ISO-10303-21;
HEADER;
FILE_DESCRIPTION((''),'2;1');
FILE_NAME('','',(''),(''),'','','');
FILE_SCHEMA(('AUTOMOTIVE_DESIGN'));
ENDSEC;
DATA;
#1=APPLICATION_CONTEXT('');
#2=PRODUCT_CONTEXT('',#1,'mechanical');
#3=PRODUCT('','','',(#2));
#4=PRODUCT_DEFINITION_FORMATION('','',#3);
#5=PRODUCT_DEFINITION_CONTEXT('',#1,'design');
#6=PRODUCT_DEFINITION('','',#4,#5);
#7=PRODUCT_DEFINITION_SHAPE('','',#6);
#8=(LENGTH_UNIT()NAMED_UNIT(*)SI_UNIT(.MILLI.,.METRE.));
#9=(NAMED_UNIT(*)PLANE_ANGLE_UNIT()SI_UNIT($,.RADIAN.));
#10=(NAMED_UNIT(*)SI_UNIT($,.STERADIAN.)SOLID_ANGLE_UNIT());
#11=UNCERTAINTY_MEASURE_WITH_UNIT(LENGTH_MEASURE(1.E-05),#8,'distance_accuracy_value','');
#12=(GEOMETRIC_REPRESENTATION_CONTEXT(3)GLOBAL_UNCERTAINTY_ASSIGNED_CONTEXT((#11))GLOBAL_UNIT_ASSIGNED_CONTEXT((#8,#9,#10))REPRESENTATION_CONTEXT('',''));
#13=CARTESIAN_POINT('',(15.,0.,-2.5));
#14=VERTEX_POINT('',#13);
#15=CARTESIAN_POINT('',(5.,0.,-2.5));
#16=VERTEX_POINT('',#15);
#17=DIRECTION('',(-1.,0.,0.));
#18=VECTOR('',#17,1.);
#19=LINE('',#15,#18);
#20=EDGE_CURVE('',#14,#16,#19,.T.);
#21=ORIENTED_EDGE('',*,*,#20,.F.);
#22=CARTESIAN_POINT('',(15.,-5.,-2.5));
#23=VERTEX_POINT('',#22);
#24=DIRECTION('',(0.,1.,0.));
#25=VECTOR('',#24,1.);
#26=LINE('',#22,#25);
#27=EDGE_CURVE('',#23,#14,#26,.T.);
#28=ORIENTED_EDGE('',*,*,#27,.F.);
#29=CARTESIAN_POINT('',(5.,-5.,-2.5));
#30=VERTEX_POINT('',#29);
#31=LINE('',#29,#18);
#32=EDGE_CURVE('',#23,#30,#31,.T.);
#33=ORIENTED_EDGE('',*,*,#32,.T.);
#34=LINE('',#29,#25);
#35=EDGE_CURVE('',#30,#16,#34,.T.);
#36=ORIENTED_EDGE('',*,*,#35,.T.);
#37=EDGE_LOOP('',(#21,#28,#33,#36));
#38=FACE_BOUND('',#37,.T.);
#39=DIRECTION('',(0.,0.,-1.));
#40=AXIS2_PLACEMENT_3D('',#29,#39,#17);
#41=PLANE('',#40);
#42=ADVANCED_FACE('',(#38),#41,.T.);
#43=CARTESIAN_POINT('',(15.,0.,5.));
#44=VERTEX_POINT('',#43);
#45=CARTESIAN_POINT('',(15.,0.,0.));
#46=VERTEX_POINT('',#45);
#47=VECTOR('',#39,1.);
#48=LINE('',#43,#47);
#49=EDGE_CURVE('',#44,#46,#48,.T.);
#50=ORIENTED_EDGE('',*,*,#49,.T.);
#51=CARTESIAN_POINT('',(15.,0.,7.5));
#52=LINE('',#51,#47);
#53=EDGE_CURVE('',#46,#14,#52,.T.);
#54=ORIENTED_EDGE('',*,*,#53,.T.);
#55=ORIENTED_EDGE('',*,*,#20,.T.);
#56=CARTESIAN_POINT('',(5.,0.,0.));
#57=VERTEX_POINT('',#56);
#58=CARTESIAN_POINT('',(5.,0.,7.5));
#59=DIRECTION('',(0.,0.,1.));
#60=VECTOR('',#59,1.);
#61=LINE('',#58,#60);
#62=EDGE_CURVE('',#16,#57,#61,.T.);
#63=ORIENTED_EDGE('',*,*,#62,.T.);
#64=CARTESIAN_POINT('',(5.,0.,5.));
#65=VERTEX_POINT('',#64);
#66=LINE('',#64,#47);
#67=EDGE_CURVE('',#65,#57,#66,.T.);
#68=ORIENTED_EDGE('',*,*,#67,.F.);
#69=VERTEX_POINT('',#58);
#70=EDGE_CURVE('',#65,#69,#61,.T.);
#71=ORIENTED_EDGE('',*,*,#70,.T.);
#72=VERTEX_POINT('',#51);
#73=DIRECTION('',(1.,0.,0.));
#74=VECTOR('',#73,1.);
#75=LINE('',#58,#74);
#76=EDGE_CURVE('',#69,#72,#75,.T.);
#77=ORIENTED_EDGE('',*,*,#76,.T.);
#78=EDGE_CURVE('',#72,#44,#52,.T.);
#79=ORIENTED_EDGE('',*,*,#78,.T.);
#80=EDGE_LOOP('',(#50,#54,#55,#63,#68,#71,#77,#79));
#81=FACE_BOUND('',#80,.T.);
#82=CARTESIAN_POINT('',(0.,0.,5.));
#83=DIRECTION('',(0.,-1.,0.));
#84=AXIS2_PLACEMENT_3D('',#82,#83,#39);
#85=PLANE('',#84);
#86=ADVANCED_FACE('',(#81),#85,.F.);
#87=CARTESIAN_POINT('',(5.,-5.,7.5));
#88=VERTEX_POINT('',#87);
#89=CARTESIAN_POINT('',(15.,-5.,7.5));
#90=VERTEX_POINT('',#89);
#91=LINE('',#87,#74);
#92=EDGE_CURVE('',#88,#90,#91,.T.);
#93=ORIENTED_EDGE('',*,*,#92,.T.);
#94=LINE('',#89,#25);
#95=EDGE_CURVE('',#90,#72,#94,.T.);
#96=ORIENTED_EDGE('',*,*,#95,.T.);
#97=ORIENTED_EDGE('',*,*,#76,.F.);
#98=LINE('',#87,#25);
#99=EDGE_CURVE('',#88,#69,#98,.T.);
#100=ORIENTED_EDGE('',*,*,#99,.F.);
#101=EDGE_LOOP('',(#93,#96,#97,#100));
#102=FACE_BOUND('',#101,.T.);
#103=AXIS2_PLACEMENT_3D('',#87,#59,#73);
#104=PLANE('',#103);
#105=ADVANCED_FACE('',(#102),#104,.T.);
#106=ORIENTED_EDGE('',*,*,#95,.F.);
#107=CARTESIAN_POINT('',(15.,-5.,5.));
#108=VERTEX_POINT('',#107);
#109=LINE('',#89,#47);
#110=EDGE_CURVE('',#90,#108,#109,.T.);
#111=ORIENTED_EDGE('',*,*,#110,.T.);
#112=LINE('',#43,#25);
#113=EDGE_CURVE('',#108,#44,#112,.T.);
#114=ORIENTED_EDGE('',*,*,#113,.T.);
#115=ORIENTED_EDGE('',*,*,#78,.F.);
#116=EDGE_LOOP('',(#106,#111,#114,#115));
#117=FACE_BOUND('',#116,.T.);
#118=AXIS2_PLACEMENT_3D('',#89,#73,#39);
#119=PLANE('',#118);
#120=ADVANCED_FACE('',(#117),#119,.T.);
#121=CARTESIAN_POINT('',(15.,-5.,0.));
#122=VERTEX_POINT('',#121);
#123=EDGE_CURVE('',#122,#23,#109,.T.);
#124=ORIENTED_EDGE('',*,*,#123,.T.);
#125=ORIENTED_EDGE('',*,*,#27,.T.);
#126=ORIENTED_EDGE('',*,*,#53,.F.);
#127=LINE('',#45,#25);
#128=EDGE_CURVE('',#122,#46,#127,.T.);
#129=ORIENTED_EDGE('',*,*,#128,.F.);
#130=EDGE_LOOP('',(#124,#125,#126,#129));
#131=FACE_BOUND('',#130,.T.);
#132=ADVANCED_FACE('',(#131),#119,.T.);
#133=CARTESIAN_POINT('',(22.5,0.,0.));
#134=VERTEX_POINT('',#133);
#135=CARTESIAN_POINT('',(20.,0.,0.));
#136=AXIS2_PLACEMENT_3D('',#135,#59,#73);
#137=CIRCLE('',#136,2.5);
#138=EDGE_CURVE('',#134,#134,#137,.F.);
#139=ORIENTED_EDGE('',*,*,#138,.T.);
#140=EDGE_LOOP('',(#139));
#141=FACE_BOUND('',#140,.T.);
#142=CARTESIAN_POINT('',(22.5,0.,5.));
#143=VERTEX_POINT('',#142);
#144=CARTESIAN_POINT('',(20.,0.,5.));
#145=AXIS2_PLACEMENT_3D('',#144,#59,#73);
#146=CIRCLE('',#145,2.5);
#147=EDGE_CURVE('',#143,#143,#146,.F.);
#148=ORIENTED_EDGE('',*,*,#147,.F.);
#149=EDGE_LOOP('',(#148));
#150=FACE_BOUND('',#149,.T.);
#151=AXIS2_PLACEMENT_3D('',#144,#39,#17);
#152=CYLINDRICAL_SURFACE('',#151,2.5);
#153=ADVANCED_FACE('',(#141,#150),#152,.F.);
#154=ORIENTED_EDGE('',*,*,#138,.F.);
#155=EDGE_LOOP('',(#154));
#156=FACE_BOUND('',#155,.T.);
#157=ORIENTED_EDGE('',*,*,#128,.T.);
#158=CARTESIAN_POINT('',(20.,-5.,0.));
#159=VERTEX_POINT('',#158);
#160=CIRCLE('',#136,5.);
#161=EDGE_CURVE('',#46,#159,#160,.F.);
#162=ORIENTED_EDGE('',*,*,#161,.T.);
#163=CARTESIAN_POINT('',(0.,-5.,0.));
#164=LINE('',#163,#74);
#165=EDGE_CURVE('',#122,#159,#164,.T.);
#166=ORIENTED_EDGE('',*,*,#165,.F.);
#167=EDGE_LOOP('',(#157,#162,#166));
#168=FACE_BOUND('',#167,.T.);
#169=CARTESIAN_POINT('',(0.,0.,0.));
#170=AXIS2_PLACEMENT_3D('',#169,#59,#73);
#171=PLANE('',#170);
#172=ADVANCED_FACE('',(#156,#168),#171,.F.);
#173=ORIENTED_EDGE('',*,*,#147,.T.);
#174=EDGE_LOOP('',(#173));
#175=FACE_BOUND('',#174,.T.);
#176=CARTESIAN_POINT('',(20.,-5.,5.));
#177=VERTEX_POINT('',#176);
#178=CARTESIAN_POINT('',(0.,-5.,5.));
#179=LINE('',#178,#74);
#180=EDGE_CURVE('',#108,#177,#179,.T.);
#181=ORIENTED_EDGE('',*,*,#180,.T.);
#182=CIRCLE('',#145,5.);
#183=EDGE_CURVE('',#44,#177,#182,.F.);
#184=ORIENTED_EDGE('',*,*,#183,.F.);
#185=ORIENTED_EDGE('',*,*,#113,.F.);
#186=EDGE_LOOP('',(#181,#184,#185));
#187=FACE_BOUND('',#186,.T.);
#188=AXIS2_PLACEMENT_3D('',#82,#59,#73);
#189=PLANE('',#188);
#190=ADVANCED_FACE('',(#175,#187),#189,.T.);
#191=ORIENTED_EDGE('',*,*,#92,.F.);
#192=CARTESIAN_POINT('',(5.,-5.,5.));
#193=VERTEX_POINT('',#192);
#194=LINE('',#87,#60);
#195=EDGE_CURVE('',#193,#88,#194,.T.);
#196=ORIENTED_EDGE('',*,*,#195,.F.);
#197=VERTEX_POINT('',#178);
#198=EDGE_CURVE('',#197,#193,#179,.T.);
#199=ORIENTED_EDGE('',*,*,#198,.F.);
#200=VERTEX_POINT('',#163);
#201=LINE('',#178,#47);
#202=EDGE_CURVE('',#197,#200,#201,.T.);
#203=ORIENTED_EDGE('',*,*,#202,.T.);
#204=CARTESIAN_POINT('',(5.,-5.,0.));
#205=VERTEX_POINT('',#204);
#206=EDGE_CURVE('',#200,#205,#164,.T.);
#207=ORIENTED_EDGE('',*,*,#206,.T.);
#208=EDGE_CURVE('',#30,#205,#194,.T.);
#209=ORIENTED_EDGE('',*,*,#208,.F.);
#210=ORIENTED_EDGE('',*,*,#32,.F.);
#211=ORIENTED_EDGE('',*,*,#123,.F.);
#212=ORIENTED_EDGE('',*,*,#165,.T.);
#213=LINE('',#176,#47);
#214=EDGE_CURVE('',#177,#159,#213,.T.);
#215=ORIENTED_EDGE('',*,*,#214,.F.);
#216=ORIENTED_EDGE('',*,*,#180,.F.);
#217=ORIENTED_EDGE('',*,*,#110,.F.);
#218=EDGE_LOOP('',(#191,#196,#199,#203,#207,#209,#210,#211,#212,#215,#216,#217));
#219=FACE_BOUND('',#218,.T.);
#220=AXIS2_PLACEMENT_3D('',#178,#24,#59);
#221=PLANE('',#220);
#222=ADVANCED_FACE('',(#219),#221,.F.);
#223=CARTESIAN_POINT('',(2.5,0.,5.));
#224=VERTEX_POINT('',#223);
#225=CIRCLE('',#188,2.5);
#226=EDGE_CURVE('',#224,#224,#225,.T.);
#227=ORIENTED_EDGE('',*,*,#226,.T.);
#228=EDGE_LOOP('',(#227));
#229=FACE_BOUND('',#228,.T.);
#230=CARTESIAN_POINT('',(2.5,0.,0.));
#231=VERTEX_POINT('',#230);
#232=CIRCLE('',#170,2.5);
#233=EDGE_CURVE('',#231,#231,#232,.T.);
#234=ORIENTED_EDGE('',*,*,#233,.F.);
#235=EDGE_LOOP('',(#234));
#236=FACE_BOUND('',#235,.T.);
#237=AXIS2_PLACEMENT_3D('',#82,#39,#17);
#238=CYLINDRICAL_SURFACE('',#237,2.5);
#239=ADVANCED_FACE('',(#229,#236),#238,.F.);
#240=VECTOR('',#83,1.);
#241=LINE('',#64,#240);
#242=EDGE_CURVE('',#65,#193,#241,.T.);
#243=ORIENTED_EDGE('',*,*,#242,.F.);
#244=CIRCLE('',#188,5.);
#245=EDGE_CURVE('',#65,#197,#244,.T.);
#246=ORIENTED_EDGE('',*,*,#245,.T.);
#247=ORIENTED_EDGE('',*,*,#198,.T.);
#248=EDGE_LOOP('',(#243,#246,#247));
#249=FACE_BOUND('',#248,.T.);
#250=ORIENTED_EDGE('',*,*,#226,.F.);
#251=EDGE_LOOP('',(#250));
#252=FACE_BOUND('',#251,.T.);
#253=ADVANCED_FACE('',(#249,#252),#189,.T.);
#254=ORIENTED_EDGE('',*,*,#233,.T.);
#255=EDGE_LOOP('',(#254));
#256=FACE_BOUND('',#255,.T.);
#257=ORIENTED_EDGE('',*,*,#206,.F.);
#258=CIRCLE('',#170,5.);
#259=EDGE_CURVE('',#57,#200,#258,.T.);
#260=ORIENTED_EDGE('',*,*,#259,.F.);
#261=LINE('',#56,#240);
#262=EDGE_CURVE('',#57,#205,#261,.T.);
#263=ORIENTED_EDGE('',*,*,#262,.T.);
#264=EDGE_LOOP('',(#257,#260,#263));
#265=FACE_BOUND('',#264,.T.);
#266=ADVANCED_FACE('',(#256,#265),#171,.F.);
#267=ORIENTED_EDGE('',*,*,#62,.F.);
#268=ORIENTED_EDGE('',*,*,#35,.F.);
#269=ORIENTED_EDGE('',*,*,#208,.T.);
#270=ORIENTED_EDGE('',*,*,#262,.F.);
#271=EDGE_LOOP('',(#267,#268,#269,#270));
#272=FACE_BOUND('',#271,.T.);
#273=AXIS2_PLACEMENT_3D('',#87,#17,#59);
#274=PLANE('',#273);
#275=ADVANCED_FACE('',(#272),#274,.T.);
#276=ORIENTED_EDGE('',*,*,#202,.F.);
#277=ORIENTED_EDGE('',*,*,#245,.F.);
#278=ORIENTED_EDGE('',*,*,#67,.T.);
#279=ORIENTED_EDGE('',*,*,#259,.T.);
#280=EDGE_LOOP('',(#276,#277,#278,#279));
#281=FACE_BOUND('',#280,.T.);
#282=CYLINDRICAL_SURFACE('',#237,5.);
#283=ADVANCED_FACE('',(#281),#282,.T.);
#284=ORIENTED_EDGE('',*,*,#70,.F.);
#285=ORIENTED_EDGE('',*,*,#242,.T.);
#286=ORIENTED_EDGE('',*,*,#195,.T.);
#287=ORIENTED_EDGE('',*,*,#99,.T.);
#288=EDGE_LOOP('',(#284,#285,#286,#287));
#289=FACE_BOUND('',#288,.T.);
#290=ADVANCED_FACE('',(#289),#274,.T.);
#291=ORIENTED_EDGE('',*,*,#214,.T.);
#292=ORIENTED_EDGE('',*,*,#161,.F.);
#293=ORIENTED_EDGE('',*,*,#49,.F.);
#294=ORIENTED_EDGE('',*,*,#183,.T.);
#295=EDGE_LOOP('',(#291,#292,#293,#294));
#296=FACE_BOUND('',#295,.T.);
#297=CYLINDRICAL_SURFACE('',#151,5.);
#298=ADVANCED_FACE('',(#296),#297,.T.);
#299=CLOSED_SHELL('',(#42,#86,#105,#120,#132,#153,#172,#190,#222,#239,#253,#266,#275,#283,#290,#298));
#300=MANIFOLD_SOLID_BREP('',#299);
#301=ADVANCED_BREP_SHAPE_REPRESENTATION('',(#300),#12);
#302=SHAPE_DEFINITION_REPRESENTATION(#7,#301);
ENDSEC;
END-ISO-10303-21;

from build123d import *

# Parameters (mm, degrees)
SKETCH1_R           = 2.5
BOSS_EXTRUDE1_DEPTH = 5
SKETCH2_W           = 10
SKETCH2_H           = 10
BOSS_EXTRUDE2_DEPTH = 5


with BuildPart() as part:
    # Sketch1 → Boss-Extrude1 (new body)
    with BuildSketch(Plane.XY):
        with BuildLine():
            ThreePointArc((5, 0), (-3.535533906, 3.535533906), (0, -5))
            Line((0, -5), (20, -5))
            ThreePointArc((20, -5), (23.535533906, 3.535533906), (15, 0))
            Line((15, 0), (5, 0))
        make_face()
        with Locations((20, 0)):
            Circle(SKETCH1_R, mode=Mode.SUBTRACT)
        Circle(SKETCH1_R, mode=Mode.SUBTRACT)
    extrude(amount=BOSS_EXTRUDE1_DEPTH)

    # Sketch2 → Boss-Extrude2 (add)
    with BuildSketch(Plane(origin=(0, 0, 0), x_dir=(1, 0, 0), z_dir=(0, 1, 0))):
        with Locations((10, -2.5)):
            Rectangle(SKETCH2_W, SKETCH2_H)
    extrude(amount=-BOSS_EXTRUDE2_DEPTH)


solid = part.part
